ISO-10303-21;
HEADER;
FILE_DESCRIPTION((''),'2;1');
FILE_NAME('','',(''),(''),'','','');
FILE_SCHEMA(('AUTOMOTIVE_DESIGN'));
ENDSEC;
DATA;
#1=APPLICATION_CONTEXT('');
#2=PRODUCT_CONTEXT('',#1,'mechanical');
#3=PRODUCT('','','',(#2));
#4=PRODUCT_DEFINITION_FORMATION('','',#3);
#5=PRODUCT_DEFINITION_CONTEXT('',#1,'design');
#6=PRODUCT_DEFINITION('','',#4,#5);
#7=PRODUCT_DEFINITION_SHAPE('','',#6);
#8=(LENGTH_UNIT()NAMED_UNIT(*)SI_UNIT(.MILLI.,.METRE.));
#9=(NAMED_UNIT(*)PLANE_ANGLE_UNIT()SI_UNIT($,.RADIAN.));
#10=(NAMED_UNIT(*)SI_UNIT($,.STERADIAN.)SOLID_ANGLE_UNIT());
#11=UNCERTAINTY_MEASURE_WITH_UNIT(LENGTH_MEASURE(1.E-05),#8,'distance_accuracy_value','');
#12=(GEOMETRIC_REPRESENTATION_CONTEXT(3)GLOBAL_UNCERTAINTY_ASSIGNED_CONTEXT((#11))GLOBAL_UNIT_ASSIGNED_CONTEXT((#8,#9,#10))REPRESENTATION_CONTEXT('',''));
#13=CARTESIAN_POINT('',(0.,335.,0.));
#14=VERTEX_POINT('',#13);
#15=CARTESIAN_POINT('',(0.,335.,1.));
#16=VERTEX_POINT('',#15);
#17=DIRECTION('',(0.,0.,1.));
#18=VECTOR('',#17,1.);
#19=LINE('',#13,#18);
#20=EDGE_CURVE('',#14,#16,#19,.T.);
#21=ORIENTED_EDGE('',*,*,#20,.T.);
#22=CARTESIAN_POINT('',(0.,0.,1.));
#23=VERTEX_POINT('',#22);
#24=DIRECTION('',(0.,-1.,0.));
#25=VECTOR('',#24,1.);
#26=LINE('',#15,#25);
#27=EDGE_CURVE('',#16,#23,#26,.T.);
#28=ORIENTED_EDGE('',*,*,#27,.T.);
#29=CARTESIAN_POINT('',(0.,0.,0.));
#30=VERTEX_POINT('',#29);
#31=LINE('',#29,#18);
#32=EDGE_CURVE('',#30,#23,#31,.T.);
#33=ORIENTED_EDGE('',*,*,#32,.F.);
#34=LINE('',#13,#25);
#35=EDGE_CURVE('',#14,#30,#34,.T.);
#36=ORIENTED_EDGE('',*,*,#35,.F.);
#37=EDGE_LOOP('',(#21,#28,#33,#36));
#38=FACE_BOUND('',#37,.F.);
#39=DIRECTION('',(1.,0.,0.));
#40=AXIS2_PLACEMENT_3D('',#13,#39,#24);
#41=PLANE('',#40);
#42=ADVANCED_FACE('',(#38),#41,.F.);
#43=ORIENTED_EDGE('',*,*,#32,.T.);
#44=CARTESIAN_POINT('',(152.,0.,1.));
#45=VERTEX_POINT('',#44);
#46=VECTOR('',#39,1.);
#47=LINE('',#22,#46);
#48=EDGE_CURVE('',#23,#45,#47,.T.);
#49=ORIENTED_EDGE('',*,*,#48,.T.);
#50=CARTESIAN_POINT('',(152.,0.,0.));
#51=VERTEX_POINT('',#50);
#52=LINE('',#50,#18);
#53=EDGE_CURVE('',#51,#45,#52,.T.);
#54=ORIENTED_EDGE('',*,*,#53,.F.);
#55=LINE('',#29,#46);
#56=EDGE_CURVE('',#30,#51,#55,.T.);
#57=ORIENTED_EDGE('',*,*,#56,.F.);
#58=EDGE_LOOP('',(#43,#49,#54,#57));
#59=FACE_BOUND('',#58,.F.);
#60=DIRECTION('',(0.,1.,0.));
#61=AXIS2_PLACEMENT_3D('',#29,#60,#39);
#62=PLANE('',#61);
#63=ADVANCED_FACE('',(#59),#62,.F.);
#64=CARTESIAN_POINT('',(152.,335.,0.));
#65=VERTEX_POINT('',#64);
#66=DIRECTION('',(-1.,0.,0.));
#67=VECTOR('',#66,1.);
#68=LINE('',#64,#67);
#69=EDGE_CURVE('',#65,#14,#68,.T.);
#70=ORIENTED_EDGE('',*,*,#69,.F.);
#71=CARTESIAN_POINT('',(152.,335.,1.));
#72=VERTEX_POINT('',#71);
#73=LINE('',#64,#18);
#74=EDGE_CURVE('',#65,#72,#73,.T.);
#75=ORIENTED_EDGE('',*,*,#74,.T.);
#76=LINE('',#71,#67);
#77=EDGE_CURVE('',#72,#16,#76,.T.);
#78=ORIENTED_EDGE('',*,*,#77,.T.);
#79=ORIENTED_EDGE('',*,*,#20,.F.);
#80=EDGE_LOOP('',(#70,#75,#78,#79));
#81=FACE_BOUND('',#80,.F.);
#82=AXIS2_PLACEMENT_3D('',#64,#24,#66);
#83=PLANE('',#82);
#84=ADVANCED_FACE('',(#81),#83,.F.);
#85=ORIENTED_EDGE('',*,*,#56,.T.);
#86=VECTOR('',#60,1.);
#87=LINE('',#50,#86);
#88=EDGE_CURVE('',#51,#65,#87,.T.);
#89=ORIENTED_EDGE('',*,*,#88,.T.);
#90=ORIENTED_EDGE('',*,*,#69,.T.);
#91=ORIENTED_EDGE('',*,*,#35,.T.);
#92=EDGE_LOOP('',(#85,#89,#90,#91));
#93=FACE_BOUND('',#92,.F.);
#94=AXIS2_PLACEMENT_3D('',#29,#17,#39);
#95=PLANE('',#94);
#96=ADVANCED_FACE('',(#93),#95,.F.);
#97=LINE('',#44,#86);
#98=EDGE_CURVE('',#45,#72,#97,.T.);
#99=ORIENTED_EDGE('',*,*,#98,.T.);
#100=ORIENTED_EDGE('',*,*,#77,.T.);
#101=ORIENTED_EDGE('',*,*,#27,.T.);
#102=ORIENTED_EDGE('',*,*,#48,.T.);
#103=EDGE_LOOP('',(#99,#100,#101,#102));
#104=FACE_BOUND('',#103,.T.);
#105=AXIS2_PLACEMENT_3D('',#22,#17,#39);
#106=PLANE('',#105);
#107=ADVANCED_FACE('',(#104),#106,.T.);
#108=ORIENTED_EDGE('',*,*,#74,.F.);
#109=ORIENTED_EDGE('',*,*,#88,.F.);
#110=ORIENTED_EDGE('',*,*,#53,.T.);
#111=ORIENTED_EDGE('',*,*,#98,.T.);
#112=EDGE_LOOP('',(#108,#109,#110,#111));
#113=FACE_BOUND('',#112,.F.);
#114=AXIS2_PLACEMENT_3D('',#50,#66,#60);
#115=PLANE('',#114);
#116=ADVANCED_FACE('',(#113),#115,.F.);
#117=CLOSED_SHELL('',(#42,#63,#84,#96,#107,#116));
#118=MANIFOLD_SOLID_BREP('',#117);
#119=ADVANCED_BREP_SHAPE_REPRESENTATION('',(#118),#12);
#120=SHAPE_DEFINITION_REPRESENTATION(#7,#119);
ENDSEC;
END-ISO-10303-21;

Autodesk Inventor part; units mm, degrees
ref_plane "YZ Plane" through (0, 0, 0) normal (1, 0, 0) x (0, 1, 0)
ref_plane "XZ Plane" through (0, 0, 0) normal (0, 1, 0) x (-1, 0, 0)
ref_plane "XY Plane" through (0, 0, 0) normal (0, 0, 1) x (1, 0, 0)
sketch "Boceto1" plane through (0, 0, 0) normal (0, 0, 1) x (1, 0, 0)
  line L0 (0, 0) -> (152, 0)
  line L1 (152, 0) -> (152, 335)
  line L2 (152, 335) -> (0, 335)
  line L3 (0, 335) -> (0, 0)
  dimension "d0" = 152
  dimension "d1" = 335
extrude "Extrusión1" add sketch "Boceto1" along normal blind 1
properties part number "Placa" material "Acrílico, claro"
